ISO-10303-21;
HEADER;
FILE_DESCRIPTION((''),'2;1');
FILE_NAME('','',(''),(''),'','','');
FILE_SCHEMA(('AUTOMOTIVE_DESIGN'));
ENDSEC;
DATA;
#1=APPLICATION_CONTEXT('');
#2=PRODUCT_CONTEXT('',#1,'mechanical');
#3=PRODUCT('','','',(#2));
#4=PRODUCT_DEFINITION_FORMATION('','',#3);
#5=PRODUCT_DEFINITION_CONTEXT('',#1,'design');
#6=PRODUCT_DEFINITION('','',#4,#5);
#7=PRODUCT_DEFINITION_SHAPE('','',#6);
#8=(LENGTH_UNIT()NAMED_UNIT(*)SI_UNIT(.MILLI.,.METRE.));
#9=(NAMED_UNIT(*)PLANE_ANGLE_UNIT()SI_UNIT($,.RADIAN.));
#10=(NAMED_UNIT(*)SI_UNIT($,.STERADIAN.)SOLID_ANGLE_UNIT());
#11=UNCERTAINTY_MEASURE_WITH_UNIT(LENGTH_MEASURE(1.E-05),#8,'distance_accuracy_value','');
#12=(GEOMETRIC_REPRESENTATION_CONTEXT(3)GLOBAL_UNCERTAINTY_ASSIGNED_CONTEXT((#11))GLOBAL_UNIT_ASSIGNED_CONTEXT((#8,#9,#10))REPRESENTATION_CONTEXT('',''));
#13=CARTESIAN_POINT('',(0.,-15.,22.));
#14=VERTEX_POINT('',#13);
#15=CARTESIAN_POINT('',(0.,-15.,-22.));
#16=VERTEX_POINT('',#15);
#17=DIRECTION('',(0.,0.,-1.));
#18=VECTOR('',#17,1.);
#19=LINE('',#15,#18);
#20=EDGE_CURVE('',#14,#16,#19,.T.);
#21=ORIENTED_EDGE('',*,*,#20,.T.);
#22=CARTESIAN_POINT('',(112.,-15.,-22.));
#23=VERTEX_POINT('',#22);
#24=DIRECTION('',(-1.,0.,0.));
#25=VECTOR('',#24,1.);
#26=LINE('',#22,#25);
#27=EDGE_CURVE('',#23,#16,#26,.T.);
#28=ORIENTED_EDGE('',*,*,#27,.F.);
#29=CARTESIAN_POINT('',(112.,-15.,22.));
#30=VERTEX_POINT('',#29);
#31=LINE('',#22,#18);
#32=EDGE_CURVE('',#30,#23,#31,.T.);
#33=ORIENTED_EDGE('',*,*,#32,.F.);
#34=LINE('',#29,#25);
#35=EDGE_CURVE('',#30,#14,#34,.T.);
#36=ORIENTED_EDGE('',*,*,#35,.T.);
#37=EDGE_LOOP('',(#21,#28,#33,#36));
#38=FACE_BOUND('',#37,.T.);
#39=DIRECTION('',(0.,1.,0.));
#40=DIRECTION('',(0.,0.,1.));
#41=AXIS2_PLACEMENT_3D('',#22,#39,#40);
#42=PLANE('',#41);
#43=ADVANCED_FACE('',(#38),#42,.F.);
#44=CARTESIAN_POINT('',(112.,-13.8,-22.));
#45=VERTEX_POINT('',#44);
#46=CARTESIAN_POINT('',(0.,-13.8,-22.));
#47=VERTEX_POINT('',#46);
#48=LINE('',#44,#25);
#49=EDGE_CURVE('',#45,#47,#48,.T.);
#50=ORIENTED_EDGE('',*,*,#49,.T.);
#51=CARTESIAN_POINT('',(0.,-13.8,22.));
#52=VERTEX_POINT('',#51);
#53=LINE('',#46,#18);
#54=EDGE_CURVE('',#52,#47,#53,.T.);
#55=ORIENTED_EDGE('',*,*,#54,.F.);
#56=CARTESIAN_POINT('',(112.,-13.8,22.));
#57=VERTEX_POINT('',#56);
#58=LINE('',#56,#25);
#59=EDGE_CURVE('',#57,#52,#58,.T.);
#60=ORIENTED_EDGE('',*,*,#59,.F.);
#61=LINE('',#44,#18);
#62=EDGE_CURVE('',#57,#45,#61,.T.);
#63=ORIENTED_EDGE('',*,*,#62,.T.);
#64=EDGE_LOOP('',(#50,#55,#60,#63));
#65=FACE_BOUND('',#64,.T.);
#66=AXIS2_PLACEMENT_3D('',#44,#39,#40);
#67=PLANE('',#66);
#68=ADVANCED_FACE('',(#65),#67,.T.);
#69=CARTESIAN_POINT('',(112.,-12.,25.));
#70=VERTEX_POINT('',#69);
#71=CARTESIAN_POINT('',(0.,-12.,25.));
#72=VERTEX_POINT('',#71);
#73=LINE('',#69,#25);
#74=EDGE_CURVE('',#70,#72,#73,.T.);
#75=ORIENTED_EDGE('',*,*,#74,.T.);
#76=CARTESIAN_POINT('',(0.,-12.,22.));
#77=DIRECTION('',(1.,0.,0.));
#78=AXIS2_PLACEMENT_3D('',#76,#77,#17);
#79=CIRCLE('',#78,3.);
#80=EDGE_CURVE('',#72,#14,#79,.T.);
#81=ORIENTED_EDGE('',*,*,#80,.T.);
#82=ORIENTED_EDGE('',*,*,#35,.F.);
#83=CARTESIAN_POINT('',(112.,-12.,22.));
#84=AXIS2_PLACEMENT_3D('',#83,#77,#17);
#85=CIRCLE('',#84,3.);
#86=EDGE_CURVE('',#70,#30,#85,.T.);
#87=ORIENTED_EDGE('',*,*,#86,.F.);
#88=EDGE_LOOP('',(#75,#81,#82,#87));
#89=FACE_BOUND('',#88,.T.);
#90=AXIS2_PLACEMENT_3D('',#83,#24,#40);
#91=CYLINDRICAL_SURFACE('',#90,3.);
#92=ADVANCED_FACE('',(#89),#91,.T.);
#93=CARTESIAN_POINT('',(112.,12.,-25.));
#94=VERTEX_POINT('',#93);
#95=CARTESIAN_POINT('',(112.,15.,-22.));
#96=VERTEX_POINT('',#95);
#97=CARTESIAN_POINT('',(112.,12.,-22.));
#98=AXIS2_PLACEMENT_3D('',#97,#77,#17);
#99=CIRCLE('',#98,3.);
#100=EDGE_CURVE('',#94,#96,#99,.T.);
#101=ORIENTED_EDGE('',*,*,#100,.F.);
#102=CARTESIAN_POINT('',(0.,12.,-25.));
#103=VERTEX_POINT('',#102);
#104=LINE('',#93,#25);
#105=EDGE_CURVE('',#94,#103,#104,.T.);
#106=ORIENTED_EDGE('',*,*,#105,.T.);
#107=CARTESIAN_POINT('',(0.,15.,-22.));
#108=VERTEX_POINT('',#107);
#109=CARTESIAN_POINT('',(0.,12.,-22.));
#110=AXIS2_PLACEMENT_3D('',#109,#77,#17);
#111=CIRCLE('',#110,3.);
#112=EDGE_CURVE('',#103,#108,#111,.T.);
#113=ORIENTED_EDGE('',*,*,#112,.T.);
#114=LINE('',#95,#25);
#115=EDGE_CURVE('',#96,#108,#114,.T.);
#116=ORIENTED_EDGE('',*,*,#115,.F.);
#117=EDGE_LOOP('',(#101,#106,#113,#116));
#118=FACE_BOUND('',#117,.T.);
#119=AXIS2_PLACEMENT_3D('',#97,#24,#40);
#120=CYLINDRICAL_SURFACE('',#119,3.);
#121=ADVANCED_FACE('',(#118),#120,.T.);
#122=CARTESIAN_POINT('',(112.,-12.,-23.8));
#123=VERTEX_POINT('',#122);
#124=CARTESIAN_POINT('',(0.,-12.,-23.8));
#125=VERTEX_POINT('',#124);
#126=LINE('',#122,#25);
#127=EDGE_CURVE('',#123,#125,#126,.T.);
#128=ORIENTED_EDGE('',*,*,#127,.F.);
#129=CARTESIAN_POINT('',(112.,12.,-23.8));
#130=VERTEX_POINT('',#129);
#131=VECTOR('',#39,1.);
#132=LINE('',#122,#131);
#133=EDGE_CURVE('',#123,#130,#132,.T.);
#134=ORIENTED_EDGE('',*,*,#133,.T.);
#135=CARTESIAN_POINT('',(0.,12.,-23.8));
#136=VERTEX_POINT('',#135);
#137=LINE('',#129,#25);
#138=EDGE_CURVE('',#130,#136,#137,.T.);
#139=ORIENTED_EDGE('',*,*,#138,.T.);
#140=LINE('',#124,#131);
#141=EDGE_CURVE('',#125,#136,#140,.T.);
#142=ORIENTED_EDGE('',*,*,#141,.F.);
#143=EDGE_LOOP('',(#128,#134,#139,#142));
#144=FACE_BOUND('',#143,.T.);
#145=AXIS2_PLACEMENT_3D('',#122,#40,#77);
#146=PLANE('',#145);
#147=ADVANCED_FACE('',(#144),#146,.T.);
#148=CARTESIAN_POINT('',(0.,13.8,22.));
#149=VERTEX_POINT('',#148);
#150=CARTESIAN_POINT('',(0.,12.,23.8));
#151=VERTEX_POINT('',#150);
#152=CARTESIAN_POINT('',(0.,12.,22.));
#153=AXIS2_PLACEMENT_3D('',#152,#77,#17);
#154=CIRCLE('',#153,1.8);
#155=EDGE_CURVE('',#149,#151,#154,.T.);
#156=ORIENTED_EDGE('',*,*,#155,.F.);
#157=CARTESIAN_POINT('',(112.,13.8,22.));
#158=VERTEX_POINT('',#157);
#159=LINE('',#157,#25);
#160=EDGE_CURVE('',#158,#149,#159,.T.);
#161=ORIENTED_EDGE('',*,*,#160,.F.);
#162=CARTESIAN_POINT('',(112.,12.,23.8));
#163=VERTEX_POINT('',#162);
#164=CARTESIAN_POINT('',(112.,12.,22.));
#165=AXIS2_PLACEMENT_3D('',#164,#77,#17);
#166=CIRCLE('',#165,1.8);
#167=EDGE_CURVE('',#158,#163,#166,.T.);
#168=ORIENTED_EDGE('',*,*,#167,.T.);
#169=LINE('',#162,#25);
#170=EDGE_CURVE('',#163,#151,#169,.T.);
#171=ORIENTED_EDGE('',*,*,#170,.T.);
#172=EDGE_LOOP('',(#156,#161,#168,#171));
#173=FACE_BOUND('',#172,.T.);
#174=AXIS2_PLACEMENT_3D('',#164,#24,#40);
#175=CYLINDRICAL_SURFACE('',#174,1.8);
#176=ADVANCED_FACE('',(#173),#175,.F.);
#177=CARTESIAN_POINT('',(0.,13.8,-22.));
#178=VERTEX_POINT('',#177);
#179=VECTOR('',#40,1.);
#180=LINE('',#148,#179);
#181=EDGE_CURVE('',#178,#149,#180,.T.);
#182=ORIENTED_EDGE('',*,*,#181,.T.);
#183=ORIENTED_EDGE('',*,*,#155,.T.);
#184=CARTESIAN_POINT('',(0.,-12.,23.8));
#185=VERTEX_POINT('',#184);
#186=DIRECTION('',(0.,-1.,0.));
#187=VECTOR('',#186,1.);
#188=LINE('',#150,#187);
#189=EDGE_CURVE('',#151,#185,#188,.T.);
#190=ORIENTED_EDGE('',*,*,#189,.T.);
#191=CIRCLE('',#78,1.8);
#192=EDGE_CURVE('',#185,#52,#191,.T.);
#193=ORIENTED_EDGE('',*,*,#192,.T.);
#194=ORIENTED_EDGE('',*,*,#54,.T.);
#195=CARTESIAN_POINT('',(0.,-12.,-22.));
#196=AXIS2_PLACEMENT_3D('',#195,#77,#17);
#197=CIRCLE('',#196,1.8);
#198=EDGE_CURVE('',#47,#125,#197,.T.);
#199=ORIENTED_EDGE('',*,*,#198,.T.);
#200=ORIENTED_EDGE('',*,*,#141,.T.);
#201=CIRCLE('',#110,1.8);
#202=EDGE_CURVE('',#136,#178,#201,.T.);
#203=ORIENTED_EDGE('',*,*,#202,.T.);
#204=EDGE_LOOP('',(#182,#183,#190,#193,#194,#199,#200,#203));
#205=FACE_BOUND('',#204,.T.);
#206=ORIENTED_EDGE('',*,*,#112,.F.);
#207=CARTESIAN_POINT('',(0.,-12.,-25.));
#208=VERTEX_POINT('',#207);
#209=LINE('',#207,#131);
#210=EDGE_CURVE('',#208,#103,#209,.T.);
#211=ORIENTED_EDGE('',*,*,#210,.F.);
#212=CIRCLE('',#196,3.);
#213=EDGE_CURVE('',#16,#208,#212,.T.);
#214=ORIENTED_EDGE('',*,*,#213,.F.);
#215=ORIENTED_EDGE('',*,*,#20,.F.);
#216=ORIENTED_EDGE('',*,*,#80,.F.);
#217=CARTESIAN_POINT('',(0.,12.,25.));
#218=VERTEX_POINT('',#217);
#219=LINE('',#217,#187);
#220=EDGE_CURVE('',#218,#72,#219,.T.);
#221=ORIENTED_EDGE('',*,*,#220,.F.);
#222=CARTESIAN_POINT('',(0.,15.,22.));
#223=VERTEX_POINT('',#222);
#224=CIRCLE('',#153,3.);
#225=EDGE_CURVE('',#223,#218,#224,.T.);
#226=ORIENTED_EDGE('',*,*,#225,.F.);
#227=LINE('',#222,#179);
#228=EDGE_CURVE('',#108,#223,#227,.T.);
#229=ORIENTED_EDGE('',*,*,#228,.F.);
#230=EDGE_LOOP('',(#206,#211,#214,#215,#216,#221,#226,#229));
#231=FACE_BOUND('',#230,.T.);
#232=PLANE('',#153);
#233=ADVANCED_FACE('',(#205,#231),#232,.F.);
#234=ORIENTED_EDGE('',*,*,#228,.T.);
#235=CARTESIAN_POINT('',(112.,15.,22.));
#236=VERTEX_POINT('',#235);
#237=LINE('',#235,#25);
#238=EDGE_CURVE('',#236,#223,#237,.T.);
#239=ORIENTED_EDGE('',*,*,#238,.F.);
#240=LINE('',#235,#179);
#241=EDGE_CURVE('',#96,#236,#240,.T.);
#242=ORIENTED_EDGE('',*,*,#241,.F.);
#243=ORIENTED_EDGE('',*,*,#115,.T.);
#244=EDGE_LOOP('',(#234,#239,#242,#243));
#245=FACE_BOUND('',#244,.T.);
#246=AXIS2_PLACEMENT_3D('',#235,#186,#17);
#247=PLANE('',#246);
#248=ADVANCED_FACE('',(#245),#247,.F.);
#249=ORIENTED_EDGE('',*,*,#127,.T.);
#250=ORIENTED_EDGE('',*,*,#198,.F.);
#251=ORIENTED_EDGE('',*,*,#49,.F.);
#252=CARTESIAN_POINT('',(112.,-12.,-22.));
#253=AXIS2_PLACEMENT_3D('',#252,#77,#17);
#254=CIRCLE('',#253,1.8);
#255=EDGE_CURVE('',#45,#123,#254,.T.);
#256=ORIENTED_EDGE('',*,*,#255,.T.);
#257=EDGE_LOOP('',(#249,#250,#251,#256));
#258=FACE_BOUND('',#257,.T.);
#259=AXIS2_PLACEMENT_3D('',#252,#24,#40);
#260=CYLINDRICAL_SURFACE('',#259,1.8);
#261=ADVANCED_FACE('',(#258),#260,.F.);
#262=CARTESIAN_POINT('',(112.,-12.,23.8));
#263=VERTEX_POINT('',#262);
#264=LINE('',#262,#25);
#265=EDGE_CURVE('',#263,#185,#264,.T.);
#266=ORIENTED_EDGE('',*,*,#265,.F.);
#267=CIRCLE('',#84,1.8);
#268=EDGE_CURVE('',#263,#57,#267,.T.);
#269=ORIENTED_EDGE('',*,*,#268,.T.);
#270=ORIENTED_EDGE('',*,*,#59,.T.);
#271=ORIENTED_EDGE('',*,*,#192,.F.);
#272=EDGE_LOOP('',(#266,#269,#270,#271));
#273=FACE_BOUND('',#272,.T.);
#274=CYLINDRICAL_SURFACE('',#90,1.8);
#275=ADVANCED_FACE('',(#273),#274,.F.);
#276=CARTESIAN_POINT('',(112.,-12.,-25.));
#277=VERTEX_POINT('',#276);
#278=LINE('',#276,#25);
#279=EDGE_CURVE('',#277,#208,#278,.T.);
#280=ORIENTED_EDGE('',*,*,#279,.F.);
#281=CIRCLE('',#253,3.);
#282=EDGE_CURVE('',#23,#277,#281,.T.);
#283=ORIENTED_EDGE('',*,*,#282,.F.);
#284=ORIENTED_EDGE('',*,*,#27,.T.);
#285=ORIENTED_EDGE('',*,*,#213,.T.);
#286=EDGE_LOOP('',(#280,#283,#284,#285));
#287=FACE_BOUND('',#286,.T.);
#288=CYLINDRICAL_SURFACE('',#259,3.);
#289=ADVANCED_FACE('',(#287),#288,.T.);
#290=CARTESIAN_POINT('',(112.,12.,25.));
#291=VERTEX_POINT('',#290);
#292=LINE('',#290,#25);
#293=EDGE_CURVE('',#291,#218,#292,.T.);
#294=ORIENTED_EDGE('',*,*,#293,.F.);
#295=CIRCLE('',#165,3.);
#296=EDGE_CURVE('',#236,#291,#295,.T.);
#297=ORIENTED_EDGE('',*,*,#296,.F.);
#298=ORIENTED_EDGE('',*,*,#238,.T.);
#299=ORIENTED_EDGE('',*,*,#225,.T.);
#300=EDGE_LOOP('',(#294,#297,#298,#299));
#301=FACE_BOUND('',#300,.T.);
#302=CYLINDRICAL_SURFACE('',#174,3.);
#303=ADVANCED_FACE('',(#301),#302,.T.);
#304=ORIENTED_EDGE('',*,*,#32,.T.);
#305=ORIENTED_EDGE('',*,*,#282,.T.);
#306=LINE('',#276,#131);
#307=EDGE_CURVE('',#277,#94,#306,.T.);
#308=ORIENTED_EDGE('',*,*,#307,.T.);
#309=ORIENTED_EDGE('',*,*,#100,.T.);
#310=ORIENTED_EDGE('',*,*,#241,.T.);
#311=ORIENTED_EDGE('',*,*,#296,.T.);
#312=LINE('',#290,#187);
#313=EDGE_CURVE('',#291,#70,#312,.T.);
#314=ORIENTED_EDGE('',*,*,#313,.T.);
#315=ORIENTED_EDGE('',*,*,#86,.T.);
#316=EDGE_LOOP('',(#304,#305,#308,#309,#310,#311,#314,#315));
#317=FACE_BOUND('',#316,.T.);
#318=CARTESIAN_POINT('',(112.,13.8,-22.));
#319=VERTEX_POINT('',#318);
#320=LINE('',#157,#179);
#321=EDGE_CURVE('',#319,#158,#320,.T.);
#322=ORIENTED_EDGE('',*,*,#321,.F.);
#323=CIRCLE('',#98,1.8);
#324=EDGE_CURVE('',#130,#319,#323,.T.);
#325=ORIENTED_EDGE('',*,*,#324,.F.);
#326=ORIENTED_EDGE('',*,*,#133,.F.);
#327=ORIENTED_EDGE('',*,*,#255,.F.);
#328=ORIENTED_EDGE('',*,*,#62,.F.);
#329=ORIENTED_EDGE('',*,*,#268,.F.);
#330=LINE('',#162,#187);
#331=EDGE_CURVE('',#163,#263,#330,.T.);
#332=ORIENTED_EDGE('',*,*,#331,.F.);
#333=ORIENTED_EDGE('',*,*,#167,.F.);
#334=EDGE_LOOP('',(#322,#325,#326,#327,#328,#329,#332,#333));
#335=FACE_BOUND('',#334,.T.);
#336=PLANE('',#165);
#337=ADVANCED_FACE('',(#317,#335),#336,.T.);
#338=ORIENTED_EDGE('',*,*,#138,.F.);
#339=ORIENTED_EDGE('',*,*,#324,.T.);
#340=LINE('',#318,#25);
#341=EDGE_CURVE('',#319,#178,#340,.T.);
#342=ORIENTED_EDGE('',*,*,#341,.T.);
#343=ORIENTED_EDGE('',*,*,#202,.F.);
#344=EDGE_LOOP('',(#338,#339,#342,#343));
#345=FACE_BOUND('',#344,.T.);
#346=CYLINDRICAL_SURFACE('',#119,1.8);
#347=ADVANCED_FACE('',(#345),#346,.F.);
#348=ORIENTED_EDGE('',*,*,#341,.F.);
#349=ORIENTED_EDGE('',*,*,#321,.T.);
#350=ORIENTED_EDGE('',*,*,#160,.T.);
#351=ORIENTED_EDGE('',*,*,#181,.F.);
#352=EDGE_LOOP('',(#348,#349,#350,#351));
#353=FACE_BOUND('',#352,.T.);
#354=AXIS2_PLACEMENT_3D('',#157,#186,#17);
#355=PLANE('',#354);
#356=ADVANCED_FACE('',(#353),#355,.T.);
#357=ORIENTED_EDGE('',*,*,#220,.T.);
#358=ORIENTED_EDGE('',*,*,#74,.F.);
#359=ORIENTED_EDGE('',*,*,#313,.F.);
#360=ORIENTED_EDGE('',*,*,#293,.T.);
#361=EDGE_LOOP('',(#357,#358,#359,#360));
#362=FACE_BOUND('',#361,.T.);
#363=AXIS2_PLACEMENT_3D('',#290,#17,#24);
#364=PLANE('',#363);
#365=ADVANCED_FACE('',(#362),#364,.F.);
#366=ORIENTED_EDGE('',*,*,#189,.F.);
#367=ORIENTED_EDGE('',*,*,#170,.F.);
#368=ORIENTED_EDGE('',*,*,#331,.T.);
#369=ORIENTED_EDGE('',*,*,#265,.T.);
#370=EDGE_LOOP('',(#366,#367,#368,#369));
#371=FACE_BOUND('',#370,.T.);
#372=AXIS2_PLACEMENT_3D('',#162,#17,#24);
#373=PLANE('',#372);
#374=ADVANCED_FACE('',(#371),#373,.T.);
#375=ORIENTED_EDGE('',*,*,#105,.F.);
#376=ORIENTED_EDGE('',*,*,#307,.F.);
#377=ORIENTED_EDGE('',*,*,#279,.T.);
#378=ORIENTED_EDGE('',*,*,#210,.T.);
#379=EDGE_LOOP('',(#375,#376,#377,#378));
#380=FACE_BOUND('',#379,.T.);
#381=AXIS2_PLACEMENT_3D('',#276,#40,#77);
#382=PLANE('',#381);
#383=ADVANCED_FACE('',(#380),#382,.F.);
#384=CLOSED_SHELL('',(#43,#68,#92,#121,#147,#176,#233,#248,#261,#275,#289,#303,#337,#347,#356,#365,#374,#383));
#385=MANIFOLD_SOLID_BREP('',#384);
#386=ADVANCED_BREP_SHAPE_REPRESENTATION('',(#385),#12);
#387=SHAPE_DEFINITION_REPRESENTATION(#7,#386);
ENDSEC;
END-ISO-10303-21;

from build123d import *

# Parameters (mm, degrees)
TUBO_RETANGULAR_50_X_30_X_2_6_1_DEPTH = 112


with BuildPart() as part:
    # Sketch1 → Tubo retangular 50 X 30 X 2.6(1) (new body)
    with BuildSketch(Plane.YZ):
        with BuildLine():
            Line((-12, -25), (12, -25))
            ThreePointArc((12, -25), (14.121320344, -24.121320344), (15, -22))
            Line((15, -22), (15, 22))
            ThreePointArc((15, 22), (14.121320344, 24.121320344), (12, 25))
            Line((12, 25), (-12, 25))
            ThreePointArc((-12, 25), (-14.121320344, 24.121320344), (-15, 22))
            Line((-15, 22), (-15, -22))
            ThreePointArc((-15, -22), (-14.121320344, -24.121320344), (-12, -25))
        make_face()
        with BuildLine():
            Line((-12, -23.8), (12, -23.8))
            ThreePointArc((12, -23.8), (13.272792206, -23.272792206), (13.8, -22))
            Line((13.8, -22), (13.8, 22))
            ThreePointArc((13.8, 22), (13.272792206, 23.272792206), (12, 23.8))
            Line((12, 23.8), (-12, 23.8))
            ThreePointArc((-12, 23.8), (-13.272792206, 23.272792206), (-13.8, 22))
            Line((-13.8, 22), (-13.8, -22))
            ThreePointArc((-13.8, -22), (-13.272792206, -23.272792206), (-12, -23.8))
        make_face(mode=Mode.SUBTRACT)
    extrude(amount=TUBO_RETANGULAR_50_X_30_X_2_6_1_DEPTH)


solid = part.part
